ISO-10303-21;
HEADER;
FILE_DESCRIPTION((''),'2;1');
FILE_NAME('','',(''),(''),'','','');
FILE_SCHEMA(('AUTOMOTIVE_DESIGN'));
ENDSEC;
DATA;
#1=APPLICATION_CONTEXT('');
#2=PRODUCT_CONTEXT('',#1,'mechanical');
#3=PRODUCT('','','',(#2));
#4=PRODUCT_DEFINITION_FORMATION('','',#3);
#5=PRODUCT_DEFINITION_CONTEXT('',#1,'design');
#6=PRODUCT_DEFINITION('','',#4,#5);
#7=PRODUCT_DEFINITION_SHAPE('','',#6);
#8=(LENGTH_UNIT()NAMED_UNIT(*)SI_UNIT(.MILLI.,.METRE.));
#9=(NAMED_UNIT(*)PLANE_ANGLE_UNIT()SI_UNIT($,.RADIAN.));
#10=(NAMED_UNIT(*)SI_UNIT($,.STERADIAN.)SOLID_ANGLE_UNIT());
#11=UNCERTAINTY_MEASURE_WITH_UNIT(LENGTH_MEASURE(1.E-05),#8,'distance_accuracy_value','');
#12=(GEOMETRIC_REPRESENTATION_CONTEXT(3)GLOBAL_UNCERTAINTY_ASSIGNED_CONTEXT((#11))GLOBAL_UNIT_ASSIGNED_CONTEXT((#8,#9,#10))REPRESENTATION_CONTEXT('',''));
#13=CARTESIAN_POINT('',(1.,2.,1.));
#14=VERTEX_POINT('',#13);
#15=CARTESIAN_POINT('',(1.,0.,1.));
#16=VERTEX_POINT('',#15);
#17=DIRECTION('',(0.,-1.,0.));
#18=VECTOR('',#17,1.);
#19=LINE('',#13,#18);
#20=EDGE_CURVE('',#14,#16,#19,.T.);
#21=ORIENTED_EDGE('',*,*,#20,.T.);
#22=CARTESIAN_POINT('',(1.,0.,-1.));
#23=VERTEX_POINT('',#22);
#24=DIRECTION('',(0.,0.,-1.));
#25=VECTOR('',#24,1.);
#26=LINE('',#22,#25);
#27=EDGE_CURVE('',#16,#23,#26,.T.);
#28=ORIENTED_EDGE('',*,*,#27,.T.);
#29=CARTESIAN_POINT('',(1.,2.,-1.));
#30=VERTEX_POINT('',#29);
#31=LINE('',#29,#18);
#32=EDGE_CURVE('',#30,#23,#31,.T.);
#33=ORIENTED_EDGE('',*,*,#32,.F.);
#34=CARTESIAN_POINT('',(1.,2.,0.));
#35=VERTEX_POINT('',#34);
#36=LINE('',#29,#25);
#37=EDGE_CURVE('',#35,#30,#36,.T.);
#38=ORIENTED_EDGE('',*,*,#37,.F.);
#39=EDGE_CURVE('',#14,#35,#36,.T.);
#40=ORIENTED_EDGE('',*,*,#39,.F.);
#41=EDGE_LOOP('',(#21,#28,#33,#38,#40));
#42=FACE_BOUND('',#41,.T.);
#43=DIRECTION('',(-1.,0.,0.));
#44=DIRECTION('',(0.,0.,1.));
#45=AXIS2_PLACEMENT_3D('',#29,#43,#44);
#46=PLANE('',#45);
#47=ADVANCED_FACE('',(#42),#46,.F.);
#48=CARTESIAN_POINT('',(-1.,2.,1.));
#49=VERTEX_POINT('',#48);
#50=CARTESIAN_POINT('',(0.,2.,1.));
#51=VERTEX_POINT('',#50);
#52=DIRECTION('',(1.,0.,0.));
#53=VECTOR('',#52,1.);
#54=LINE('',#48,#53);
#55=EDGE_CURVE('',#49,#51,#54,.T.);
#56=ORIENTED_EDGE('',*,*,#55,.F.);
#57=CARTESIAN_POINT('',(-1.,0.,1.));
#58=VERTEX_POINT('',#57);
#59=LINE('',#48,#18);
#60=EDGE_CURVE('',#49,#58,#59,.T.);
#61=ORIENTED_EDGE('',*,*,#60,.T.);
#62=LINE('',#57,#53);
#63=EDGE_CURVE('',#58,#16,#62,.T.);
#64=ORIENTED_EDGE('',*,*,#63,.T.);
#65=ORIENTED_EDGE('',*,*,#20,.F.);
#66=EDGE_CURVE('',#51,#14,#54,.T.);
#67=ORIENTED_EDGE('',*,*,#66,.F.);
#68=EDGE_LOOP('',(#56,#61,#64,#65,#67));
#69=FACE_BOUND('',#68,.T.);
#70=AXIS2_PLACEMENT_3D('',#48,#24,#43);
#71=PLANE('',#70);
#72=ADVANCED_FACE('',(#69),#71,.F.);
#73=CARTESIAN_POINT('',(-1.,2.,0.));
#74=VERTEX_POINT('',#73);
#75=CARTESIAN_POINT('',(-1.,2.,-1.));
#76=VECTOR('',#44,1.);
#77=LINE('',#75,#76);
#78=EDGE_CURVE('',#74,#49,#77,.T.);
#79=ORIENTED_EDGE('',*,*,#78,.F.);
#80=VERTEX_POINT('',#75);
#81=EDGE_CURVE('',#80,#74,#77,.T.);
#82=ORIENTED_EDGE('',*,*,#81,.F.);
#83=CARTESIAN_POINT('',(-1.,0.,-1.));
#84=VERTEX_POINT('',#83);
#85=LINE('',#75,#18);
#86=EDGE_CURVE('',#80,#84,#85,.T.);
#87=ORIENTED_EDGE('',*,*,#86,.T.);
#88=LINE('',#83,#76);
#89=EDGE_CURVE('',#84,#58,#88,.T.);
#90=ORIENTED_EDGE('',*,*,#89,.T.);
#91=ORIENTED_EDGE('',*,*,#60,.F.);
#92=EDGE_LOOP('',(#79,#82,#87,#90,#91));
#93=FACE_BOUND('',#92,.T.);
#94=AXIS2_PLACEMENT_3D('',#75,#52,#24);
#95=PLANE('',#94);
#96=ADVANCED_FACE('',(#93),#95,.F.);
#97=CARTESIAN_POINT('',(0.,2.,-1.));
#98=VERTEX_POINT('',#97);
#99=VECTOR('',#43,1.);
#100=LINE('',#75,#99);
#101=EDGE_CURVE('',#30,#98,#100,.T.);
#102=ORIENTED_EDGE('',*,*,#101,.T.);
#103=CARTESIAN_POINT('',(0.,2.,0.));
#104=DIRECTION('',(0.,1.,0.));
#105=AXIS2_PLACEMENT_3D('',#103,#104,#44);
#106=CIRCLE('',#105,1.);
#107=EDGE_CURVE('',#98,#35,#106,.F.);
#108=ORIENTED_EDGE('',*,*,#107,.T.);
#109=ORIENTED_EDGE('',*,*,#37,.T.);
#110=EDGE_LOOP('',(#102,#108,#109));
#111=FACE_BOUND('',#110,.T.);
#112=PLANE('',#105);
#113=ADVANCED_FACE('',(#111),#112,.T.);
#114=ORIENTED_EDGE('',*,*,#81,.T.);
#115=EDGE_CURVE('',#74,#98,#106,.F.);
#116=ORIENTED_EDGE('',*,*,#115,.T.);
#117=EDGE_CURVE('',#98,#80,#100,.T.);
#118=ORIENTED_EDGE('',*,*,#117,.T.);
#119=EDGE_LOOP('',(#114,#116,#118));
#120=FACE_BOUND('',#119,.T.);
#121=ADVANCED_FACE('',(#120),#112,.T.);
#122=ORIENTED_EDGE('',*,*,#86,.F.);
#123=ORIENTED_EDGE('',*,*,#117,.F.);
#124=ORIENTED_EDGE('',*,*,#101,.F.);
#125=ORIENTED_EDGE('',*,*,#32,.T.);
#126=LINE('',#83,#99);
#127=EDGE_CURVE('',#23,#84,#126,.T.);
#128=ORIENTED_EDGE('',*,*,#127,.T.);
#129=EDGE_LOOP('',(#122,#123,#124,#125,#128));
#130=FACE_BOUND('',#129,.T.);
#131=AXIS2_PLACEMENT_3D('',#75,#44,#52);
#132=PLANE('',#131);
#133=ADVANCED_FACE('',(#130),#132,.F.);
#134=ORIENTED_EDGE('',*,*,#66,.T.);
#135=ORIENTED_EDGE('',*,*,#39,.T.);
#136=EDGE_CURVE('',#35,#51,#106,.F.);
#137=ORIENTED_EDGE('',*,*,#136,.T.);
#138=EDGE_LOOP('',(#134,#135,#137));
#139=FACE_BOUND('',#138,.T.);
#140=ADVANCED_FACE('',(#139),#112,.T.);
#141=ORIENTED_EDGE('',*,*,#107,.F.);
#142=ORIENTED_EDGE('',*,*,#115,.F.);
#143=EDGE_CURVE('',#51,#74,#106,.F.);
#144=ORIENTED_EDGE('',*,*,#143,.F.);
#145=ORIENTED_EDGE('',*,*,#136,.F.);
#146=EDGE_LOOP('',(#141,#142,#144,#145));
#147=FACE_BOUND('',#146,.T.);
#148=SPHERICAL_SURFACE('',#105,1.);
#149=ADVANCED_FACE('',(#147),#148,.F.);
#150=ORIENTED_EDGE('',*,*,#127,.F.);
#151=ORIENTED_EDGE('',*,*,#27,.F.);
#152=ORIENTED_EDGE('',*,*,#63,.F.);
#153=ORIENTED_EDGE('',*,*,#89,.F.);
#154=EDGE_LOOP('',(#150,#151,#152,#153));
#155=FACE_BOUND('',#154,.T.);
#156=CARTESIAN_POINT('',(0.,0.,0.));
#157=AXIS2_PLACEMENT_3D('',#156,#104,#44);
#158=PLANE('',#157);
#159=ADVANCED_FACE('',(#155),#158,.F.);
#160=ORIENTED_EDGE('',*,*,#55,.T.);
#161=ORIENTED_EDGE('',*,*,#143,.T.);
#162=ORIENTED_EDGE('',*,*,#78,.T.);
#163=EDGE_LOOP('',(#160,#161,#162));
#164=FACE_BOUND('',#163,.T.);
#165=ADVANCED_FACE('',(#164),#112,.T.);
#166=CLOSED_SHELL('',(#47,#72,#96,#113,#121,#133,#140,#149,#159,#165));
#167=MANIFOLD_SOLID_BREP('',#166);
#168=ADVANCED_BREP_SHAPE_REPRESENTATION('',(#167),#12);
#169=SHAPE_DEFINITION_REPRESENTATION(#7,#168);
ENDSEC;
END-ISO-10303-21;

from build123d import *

# Parameters (mm, degrees)
SKETCH1_W           = 2
SKETCH1_H           = 2
BOSS_EXTRUDE1_DEPTH = 2


with BuildPart() as part:
    # Sketch1 → Boss-Extrude1 (new body)
    with BuildSketch(Plane(origin=(0, 0, 0), x_dir=(1, 0, 0), z_dir=(0, 1, 0))):
        Rectangle(SKETCH1_W, SKETCH1_H)
    extrude(amount=BOSS_EXTRUDE1_DEPTH)

    # Sketch2 → Cut-Revolve1 (revolve, cut)
    with BuildSketch(Plane(origin=(0, 2, 0), x_dir=(1, 0, 0), z_dir=(0, 1, 0))):
        with BuildLine():
            Line((0, -1), (0, 1))
            ThreePointArc((0, 1), (-1, 0), (0, -1))
        make_face()
    revolve(axis=Axis((0, 2, -1), (0, 0, 1)), mode=Mode.SUBTRACT)


solid = part.part
